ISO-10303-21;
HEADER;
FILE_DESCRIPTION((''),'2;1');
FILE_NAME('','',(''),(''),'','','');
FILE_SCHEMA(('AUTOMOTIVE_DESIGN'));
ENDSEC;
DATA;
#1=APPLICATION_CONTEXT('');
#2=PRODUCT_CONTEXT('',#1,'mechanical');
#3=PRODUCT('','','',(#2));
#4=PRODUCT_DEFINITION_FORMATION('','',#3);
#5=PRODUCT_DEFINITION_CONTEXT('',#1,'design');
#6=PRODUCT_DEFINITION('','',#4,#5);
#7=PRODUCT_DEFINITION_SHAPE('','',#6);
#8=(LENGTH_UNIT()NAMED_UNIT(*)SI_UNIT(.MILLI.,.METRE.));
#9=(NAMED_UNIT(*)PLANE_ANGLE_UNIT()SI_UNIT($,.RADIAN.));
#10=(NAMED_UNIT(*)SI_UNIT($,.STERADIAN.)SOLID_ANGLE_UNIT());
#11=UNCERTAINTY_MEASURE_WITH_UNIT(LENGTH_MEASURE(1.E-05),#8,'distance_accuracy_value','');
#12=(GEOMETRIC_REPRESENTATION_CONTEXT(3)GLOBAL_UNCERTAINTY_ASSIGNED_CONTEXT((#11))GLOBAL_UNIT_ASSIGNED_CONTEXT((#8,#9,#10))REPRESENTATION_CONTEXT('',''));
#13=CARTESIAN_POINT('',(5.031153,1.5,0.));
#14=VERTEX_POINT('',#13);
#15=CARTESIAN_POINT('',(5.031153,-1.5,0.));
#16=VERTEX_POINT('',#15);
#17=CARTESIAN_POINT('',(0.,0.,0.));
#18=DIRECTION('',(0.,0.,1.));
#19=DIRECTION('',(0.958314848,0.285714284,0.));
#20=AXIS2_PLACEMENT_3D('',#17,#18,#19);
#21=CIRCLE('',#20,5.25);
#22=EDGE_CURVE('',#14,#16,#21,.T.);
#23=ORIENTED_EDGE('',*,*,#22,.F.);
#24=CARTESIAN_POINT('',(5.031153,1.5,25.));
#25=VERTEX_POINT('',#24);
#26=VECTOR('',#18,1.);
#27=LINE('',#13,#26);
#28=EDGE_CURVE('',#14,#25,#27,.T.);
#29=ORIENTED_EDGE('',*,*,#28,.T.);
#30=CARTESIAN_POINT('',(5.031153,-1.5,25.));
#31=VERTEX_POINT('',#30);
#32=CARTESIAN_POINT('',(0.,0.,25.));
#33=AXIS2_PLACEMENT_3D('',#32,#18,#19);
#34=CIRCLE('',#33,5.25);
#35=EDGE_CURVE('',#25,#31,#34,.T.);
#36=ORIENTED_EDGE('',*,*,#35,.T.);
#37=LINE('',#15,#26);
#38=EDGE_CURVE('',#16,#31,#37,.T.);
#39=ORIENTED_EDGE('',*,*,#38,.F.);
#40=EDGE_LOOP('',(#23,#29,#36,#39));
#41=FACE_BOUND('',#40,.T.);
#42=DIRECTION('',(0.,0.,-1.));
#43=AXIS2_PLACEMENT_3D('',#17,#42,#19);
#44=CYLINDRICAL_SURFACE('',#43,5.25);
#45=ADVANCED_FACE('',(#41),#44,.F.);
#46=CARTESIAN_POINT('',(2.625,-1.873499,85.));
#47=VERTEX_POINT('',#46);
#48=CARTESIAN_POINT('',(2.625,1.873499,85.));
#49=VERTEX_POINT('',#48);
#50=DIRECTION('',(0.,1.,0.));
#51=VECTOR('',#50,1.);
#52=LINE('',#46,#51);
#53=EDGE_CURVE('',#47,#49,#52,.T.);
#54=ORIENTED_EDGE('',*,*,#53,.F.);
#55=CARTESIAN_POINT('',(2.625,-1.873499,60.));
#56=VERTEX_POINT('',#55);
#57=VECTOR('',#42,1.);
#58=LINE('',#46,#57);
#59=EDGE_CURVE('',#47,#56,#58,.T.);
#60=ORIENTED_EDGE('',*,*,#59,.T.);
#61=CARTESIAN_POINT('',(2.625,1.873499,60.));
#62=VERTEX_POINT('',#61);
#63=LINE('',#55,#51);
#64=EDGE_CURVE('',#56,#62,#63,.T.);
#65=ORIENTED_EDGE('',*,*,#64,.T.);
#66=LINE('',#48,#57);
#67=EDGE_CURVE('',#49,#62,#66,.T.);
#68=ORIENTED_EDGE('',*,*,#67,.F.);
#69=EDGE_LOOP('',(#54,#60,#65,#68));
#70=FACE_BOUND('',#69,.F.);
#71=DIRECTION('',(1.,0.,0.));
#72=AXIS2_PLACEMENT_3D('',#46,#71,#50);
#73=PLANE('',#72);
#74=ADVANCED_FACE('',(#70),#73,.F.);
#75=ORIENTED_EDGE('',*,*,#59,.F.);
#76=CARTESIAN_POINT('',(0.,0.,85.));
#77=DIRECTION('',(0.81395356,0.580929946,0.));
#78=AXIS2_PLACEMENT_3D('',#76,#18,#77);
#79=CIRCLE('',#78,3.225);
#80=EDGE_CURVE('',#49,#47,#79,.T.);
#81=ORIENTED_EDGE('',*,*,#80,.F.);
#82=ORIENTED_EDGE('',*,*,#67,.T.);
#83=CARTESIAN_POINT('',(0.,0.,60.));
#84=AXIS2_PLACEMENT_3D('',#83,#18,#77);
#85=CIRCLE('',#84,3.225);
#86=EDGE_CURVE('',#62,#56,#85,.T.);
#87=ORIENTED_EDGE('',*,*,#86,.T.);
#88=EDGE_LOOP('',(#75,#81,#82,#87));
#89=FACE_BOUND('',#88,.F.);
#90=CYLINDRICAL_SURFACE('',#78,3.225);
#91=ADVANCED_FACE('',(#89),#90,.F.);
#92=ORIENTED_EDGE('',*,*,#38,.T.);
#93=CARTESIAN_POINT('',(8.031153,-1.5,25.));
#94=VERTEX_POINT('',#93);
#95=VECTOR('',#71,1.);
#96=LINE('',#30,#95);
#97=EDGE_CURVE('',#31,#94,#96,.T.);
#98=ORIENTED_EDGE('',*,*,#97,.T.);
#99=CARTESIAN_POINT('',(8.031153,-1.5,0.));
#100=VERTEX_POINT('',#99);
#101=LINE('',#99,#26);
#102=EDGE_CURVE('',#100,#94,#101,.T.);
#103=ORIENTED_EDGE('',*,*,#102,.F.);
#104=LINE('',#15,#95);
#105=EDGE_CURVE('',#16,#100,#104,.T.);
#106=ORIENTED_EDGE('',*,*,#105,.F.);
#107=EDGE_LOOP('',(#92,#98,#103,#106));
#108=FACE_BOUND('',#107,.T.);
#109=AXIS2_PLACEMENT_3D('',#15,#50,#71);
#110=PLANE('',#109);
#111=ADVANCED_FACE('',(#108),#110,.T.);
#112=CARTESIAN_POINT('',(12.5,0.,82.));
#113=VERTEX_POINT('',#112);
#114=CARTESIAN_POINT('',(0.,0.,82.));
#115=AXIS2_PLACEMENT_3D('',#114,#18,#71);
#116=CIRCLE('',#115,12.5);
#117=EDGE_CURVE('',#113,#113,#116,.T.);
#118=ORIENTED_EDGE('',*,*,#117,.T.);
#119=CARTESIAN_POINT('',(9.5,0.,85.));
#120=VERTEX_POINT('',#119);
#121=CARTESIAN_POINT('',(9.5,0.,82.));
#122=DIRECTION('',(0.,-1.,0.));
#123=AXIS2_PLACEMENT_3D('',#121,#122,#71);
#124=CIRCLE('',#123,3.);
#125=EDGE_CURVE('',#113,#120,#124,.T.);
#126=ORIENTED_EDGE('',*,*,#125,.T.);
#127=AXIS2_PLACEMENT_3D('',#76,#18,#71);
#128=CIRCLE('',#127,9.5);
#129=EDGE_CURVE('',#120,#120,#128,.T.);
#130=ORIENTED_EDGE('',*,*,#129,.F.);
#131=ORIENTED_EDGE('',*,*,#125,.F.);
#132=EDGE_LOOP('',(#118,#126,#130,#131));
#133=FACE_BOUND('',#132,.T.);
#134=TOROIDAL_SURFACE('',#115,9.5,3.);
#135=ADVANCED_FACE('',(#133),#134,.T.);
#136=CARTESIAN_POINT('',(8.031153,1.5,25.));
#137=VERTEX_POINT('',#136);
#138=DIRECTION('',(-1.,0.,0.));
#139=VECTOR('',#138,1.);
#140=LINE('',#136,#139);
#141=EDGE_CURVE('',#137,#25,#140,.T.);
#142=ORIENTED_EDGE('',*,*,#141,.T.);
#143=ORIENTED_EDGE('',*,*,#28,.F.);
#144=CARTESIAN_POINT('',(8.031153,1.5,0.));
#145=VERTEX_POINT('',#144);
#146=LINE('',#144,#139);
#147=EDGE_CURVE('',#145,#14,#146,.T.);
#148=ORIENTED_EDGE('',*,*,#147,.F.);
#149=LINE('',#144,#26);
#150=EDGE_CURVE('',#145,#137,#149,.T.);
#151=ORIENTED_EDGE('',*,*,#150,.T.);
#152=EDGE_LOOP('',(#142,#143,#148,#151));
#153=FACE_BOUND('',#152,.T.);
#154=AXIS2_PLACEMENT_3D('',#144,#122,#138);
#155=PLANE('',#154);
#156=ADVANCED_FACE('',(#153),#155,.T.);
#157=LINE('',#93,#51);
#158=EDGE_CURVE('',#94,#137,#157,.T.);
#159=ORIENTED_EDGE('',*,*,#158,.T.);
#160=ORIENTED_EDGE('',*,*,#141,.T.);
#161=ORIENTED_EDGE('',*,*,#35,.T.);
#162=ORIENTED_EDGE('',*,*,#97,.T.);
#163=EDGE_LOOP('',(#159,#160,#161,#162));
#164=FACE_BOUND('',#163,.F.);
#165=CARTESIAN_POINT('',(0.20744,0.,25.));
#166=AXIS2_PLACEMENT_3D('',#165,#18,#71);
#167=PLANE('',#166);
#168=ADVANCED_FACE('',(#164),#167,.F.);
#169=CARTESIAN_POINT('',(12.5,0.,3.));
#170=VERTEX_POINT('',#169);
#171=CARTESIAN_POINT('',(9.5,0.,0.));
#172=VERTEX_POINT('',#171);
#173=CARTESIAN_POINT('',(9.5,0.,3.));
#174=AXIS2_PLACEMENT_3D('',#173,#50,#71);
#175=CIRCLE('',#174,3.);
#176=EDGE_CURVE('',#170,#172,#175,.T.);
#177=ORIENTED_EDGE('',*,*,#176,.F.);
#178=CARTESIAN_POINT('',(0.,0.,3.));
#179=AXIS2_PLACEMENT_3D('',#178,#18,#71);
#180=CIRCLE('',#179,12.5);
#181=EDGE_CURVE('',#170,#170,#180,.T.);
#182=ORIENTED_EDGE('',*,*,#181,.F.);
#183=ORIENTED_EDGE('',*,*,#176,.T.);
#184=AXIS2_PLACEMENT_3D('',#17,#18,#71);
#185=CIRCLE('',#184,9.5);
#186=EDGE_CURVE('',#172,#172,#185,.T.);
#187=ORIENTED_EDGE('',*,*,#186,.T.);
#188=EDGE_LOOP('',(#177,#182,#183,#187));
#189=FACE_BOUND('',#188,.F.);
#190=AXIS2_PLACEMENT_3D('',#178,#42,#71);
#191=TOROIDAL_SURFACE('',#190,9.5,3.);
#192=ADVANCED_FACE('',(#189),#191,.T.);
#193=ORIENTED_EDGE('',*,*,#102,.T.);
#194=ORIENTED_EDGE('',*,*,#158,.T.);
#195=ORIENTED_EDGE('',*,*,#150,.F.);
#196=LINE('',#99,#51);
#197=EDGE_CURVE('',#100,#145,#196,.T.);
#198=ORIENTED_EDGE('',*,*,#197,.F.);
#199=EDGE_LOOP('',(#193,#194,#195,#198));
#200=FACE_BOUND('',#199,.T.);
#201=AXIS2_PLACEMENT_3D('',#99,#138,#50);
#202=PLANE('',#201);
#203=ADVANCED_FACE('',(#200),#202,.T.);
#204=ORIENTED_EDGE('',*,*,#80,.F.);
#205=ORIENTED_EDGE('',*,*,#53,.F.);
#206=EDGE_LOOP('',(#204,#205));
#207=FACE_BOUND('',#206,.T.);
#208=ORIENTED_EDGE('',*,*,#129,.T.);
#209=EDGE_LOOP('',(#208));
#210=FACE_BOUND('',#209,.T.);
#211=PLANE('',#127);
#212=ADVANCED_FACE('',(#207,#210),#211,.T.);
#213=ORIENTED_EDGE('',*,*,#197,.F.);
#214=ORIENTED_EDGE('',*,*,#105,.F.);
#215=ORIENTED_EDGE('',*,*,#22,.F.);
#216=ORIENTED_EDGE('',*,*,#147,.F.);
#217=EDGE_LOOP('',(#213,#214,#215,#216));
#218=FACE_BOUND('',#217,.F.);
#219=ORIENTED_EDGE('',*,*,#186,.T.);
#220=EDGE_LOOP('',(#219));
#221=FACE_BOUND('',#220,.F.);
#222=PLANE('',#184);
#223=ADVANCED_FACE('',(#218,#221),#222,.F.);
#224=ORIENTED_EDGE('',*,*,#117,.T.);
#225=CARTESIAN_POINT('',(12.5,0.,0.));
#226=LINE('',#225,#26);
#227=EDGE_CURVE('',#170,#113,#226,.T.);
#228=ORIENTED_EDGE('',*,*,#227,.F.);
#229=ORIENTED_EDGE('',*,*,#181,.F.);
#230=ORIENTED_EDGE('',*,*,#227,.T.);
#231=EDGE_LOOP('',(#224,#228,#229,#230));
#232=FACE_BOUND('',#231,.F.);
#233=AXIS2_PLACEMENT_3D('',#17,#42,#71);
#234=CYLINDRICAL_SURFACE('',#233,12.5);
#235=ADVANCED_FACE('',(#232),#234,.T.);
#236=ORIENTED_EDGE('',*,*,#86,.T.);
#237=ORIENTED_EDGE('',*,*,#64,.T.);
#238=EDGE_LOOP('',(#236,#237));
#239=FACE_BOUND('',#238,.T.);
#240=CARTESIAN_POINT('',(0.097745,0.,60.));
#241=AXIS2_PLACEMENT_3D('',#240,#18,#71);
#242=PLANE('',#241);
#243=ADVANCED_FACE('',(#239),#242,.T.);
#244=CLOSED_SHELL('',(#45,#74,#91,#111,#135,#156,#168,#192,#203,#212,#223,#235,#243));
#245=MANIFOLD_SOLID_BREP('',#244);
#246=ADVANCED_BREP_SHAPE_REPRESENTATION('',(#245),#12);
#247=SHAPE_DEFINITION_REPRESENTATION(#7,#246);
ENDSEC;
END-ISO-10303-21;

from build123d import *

# Parameters (mm, degrees)
F0_R     = 12.5
F1_DEPTH = 85
F2_DEPTH = 25
F4_DEPTH = 25
F5_R     = 3


with BuildPart() as f1:
    # F0 (on Top) → F1 (new body)
    with BuildSketch(Plane.XY):
        Circle(F0_R)
        with BuildLine():
            ThreePointArc((5.031153, -1.5), (-5.25, 0), (5.031153, 1.5))
            Line((5.031153, 1.5), (8.031153, 1.5))
            Line((8.031153, 1.5), (8.031153, -1.5))
            Line((8.031153, -1.5), (5.031153, -1.5))
        make_face(mode=Mode.SUBTRACT)
        with BuildLine():
            Line((5.031153, -1.5), (5.031153, 1.5))
            ThreePointArc((5.031153, 1.5), (-5.25, 0), (5.031153, -1.5))
        make_face()
        with BuildLine():
            ThreePointArc((5.031153, 1.5), (5.195, 0.75794), (5.25, 0))
            ThreePointArc((5.25, 0), (5.195, -0.75794), (5.031153, -1.5))
            Line((5.031153, -1.5), (8.031153, -1.5))
            Line((8.031153, -1.5), (8.031153, 1.5))
            Line((8.031153, 1.5), (5.031153, 1.5))
        make_face()
        with BuildLine():
            ThreePointArc((5.031153, -1.5), (5.195, -0.75794), (5.25, 0))
            ThreePointArc((5.25, 0), (5.195, 0.75794), (5.031153, 1.5))
            Line((5.031153, 1.5), (5.031153, -1.5))
        make_face()
    extrude(amount=F1_DEPTH)

    # F0 (on Top) → F2 (cut)
    with BuildSketch(Plane.XY):
        with BuildLine():
            Line((5.031153, -1.5), (5.031153, 1.5))
            ThreePointArc((5.031153, 1.5), (-5.25, 0), (5.031153, -1.5))
        make_face()
        with BuildLine():
            ThreePointArc((5.031153, -1.5), (5.195, -0.75794), (5.25, 0))
            ThreePointArc((5.25, 0), (5.195, 0.75794), (5.031153, 1.5))
            Line((5.031153, 1.5), (5.031153, -1.5))
        make_face()
        with BuildLine():
            ThreePointArc((5.031153, 1.5), (5.195, 0.75794), (5.25, 0))
            ThreePointArc((5.25, 0), (5.195, -0.75794), (5.031153, -1.5))
            Line((5.031153, -1.5), (8.031153, -1.5))
            Line((8.031153, -1.5), (8.031153, 1.5))
            Line((8.031153, 1.5), (5.031153, 1.5))
        make_face()
    extrude(amount=F2_DEPTH, mode=Mode.SUBTRACT)

    # F3 (on face) → F4 (cut)
    with BuildSketch(Plane.XY.offset(85)):
        with BuildLine():
            Line((2.625, -1.873499), (2.625, 1.873499))
            ThreePointArc((2.625, 1.873499), (-3.225, 0), (2.625, -1.873499))
        make_face()
    extrude(amount=-F4_DEPTH, mode=Mode.SUBTRACT)

    # F5
    f5_edges = [f1.edges().sort_by_distance(p)[0] for p in [
        (-12.5, 0, 85),
        (-12.5, 0, 0),
    ]]
    fillet(f5_edges, radius=F5_R)


solid = f1.part
